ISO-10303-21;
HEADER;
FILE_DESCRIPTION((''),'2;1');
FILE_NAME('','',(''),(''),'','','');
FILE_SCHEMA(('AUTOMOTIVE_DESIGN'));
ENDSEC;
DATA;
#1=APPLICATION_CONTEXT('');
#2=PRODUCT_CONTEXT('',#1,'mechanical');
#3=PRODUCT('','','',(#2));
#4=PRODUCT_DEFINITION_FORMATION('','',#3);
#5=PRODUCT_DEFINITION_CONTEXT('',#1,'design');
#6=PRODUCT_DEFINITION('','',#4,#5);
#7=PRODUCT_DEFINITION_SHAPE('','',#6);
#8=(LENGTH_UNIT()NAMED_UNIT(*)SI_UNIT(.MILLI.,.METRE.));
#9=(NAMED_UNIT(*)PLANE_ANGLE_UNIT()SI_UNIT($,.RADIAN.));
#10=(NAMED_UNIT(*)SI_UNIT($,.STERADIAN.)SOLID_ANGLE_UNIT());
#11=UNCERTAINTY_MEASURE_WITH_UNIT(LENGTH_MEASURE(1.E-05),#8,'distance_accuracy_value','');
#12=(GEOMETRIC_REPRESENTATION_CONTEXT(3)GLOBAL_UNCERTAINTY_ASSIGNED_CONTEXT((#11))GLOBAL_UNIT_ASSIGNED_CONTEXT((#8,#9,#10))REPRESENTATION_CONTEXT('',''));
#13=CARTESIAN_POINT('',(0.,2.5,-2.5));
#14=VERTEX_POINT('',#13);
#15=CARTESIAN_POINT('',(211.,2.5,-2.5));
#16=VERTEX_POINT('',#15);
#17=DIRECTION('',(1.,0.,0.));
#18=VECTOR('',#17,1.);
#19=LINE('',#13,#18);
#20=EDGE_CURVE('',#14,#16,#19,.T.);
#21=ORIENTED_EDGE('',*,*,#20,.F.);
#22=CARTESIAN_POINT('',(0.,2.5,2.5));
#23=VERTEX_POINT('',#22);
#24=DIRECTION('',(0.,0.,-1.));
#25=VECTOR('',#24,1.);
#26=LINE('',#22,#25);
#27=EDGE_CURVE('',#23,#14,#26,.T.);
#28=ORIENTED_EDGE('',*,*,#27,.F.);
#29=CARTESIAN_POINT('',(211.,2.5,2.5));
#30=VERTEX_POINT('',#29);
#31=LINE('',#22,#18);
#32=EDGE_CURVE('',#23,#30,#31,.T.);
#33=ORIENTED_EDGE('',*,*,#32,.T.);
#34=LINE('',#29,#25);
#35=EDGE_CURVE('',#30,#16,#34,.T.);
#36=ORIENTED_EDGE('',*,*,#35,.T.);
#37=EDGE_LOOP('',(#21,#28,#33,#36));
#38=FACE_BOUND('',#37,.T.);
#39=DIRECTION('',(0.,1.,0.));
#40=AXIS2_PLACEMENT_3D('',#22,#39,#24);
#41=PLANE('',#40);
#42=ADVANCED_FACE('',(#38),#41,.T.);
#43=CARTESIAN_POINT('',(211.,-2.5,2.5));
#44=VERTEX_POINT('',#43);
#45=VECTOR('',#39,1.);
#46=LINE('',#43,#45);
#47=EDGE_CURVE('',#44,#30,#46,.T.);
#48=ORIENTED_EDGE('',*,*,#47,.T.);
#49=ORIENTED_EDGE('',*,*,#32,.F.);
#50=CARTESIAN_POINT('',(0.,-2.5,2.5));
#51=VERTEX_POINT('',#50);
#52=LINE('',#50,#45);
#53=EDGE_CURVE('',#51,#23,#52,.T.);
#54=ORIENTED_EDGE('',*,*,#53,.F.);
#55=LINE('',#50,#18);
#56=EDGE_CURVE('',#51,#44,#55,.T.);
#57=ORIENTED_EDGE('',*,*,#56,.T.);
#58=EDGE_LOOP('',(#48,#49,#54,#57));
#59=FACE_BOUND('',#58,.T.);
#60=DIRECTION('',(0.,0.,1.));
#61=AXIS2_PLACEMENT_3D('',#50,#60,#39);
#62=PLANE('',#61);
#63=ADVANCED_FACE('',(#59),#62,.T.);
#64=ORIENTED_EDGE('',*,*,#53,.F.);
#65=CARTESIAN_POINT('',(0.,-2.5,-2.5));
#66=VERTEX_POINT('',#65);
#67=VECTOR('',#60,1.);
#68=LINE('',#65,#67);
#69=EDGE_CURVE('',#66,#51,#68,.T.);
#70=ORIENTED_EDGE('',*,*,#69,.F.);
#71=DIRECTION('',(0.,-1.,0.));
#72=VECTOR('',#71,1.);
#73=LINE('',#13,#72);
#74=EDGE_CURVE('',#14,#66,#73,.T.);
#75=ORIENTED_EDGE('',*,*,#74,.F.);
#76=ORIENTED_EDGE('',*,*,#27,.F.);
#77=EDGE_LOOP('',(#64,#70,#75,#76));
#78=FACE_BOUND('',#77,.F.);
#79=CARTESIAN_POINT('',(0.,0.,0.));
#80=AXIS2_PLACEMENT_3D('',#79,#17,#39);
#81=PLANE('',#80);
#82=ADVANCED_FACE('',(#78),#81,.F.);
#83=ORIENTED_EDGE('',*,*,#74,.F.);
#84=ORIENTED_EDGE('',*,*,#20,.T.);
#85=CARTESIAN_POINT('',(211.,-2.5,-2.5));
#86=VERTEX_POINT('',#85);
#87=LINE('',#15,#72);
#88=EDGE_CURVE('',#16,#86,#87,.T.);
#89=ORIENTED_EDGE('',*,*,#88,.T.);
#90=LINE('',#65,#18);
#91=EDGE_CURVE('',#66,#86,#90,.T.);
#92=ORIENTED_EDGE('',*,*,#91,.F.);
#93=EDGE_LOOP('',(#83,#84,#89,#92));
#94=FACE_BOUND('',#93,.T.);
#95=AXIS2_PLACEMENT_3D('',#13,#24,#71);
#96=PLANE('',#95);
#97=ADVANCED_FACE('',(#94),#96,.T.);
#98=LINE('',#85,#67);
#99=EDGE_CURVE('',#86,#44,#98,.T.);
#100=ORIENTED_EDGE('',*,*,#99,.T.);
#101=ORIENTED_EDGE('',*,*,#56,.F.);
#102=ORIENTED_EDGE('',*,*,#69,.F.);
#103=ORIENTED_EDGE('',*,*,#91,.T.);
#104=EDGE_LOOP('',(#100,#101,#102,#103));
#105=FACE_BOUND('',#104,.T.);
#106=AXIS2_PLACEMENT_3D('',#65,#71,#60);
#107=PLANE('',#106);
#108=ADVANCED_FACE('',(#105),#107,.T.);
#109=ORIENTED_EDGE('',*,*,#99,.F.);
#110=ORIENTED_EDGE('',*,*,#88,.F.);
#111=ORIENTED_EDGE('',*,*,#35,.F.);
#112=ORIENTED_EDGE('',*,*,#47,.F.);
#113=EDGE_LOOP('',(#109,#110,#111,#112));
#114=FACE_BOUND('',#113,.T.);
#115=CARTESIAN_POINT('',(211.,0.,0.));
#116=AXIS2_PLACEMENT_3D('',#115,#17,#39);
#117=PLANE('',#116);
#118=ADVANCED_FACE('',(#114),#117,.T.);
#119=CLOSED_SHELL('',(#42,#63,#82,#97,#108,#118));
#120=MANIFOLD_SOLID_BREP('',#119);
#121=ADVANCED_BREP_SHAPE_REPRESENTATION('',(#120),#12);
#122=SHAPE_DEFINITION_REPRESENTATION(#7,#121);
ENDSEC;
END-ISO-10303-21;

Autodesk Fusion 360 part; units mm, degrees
sketch "Sketch1" plane through (0, 0, 0) normal (1, 0, 0) x (0, 1, 0)
  line L0 (2.5, -2.5) -> (-2.5, -2.5)
  line L1 (-2.5, -2.5) -> (-2.5, 2.5)
  line L2 (-2.5, 2.5) -> (2.5, 2.5)
  line L3 (2.5, 2.5) -> (2.5, -2.5)
  line L4 (2.5, -2.5) -> (-2.5, 2.5) construction
  line L5 (-2.5, -2.5) -> (2.5, 2.5) construction
  dimension "d1" = 5
  dimension "d2" = 5
extrude "Extrude1" add sketch "Sketch1" along normal blind 211
